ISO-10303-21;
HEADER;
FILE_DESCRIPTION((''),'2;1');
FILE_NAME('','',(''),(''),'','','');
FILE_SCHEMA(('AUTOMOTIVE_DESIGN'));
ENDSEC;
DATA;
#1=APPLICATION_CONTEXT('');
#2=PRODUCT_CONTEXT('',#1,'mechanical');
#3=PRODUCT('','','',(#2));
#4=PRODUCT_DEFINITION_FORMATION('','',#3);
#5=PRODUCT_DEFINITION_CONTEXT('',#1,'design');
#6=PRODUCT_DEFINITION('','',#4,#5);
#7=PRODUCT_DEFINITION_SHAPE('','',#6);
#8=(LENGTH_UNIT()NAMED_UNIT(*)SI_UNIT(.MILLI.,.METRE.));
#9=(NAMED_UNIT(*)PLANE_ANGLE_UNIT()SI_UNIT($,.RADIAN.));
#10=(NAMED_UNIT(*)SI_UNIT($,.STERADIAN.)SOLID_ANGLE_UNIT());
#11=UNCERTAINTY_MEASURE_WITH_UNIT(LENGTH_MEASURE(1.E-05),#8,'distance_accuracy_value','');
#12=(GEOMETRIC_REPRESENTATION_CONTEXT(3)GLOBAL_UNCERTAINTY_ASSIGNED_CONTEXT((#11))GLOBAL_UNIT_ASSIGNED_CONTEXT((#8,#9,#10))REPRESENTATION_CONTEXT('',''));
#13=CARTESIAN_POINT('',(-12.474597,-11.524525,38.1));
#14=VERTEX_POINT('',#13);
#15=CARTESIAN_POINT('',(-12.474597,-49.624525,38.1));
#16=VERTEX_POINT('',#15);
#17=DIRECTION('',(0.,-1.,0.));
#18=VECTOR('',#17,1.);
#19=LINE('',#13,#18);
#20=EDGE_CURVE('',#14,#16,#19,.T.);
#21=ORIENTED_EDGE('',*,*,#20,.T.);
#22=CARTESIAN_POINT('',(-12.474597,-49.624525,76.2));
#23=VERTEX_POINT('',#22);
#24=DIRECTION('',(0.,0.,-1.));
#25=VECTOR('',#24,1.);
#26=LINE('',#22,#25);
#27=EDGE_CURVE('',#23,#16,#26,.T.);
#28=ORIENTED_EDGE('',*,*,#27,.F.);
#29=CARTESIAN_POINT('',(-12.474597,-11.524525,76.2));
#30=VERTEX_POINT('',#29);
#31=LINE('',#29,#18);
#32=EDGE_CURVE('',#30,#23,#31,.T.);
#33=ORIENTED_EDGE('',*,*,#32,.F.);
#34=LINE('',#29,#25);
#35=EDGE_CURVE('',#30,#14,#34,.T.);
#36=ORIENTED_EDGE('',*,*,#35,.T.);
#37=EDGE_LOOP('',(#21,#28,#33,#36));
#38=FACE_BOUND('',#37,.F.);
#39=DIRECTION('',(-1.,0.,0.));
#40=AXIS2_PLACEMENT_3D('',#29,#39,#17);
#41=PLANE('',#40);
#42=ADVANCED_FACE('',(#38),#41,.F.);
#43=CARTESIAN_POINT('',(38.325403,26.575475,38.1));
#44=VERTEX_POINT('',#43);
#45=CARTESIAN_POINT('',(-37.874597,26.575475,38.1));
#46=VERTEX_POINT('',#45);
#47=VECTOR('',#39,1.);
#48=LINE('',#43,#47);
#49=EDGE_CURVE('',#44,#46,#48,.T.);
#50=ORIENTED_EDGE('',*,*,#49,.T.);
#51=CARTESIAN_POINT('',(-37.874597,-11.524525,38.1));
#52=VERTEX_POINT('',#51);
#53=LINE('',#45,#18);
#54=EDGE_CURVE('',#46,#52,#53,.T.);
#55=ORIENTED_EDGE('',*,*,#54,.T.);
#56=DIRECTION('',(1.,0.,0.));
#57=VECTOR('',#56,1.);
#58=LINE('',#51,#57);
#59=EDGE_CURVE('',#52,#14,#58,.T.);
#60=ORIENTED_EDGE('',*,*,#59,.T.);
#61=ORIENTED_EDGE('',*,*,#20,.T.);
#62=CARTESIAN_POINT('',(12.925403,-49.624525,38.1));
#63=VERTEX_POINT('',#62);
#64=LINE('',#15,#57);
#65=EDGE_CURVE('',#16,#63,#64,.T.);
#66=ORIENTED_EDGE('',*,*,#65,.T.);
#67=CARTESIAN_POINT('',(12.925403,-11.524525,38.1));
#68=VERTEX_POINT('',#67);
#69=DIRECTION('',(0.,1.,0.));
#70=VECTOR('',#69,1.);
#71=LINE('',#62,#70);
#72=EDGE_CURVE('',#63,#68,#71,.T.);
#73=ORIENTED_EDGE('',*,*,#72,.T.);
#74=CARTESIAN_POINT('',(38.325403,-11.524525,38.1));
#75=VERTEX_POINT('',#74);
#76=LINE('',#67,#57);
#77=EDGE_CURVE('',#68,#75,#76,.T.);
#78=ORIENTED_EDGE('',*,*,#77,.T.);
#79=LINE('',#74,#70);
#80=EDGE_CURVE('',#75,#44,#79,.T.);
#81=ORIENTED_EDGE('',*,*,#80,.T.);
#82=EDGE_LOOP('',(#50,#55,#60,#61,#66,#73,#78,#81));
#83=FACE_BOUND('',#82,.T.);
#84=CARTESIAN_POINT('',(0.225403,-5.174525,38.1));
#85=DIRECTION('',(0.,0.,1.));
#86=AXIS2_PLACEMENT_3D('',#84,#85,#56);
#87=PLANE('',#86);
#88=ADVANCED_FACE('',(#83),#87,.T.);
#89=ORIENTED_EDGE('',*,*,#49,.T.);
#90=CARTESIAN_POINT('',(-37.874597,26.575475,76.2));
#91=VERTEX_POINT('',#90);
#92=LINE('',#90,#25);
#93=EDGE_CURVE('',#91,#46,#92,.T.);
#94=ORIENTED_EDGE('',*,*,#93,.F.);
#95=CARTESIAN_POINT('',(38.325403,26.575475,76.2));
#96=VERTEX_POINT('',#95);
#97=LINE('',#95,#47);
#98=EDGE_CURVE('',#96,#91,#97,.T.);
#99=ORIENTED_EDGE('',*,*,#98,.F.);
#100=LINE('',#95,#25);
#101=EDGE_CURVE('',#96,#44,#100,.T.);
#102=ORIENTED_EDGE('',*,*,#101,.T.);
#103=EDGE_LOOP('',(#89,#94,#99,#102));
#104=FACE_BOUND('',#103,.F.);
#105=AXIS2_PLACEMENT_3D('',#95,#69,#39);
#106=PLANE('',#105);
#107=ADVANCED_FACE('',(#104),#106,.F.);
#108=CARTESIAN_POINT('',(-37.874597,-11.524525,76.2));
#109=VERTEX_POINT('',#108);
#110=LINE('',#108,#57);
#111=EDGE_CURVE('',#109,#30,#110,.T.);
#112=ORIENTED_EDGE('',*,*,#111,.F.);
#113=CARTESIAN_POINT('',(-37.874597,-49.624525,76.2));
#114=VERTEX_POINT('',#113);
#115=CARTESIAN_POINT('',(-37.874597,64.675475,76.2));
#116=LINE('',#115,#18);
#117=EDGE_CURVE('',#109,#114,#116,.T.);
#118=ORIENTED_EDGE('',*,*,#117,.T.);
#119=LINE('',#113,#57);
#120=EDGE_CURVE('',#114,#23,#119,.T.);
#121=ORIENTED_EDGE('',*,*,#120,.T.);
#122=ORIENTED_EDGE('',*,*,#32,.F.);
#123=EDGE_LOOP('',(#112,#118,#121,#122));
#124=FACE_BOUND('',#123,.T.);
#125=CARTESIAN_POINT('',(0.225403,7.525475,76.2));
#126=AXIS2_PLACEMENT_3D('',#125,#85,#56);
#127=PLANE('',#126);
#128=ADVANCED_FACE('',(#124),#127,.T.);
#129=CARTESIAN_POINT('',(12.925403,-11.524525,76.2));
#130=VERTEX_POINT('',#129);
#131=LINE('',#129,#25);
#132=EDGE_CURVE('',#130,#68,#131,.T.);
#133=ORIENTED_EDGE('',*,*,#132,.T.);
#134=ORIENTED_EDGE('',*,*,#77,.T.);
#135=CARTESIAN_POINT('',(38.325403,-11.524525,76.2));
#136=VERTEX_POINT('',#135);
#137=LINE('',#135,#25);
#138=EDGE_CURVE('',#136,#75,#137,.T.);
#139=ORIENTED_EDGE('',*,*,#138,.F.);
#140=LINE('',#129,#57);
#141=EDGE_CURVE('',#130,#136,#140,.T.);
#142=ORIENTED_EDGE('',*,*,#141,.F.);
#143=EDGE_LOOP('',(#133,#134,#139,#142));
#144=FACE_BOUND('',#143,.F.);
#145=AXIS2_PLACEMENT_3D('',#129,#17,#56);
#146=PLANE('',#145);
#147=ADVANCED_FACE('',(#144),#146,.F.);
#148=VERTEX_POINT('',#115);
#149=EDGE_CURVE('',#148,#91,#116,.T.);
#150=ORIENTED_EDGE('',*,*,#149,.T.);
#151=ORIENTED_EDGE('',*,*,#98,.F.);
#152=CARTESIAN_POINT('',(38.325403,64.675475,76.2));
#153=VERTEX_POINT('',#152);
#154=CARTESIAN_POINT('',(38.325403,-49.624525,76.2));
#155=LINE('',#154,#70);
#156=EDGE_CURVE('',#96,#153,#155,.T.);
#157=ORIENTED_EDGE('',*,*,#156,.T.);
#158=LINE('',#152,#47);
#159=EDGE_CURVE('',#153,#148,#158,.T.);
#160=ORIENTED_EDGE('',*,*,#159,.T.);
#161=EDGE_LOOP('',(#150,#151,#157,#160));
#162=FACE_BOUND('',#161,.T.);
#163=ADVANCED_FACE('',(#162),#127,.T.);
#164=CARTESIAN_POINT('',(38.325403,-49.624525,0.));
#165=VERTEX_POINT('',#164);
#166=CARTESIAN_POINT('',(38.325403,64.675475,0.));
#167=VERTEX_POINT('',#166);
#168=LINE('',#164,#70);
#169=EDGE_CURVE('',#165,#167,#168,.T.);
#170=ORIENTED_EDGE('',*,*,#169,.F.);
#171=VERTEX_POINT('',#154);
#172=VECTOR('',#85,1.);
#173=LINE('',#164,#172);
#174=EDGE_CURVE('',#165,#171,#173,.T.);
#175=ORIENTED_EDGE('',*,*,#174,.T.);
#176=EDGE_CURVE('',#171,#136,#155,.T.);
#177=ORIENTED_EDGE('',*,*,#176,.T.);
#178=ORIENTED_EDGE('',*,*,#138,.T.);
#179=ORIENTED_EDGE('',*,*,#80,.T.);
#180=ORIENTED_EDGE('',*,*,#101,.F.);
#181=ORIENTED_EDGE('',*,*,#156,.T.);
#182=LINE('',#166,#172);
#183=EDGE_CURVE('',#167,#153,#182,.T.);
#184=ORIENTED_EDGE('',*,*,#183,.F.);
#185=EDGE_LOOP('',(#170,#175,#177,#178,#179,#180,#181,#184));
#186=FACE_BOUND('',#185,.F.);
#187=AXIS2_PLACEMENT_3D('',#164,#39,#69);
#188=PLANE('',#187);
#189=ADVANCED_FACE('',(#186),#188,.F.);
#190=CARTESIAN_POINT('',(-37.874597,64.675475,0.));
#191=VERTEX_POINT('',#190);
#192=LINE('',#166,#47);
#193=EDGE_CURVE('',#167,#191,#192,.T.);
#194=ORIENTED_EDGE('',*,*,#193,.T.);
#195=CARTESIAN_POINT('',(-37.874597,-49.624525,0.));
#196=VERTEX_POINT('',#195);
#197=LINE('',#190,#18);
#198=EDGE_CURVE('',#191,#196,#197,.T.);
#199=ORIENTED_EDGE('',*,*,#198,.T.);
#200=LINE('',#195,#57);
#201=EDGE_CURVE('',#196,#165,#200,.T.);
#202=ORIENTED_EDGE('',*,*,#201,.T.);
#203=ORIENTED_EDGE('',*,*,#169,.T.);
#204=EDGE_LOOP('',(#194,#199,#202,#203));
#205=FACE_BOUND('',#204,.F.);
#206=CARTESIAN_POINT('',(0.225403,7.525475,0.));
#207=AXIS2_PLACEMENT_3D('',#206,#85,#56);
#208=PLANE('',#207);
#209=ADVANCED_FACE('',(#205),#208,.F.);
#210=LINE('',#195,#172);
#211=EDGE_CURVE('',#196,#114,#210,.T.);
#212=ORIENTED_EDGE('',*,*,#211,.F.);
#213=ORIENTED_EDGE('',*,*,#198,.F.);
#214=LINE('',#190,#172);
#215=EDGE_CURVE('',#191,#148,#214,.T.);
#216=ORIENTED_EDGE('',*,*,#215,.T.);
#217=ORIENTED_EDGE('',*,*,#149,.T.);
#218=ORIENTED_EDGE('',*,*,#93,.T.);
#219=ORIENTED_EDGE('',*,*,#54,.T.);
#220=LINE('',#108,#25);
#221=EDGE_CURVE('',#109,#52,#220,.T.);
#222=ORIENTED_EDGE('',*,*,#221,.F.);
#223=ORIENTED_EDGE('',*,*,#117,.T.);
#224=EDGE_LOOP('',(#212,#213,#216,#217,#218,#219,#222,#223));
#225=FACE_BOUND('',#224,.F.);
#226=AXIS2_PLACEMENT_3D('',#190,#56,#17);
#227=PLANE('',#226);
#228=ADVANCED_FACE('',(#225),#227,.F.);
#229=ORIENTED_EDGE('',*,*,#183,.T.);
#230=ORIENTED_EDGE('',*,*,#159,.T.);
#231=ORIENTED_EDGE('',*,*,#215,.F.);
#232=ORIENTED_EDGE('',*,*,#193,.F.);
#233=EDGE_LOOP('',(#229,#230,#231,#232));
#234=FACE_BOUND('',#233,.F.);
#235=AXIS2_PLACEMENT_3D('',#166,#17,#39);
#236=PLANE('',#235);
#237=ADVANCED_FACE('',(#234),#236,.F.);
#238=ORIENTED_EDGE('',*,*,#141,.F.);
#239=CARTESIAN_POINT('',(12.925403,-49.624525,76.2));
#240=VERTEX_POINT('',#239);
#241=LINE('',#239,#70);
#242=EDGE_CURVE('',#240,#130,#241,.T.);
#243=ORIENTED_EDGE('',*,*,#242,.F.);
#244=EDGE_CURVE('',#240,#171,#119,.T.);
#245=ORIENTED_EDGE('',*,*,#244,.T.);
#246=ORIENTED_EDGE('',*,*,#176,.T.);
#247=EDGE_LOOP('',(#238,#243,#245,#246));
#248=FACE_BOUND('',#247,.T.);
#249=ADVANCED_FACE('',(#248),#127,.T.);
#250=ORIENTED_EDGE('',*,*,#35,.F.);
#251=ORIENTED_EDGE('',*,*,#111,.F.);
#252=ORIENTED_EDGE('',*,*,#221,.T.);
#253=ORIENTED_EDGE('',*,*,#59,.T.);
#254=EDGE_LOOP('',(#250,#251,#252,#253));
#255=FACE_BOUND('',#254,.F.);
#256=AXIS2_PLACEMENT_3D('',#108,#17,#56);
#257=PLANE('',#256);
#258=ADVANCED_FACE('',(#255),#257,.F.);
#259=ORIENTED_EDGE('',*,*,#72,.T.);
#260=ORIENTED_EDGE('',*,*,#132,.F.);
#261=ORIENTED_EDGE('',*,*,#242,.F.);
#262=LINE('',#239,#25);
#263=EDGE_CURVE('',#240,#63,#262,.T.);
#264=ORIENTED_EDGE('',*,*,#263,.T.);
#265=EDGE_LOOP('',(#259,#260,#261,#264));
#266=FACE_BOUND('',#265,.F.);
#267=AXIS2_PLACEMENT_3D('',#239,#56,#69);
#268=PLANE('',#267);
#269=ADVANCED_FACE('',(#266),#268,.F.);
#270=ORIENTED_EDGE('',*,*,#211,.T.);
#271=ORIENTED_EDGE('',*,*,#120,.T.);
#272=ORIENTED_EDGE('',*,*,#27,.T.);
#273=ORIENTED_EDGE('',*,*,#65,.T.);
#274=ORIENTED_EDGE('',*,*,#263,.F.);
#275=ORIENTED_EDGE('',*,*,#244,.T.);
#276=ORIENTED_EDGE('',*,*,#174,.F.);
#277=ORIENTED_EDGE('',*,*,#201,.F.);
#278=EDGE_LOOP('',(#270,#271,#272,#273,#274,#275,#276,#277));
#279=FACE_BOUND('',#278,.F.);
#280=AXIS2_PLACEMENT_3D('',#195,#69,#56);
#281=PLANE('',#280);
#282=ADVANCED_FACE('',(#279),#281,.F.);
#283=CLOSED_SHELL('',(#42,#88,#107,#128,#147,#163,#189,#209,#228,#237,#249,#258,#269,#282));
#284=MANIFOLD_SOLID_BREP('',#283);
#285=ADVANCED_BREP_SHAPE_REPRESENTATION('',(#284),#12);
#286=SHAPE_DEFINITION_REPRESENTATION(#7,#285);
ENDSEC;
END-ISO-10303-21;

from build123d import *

# Parameters (mm, degrees)
F1_DEPTH = 76.2
F3_DEPTH = 38.1


with BuildPart() as f1:
    # F0 (on Top) → F1 (new body)
    with BuildSketch(Plane.XY):
        Polygon((38.325403, 64.675475), (-37.874597, 64.675475), (-37.874597, 26.575475), (-37.874597, -11.524525), (-37.874597, -49.624525), (-12.474597, -49.624525), (12.925403, -49.624525), (38.325403, -49.624525), (38.325403, -11.524525), (38.325403, 26.575475), align=None)
    extrude(amount=F1_DEPTH)

    # F2 (on face) → F3 (cut)
    with BuildSketch(Plane.XY.offset(76.2)):
        Polygon((38.325403, 26.575475), (-37.874597, 26.575475), (-37.874597, -11.524525), (-12.474597, -11.524525), (-12.474597, -49.624525), (12.925403, -49.624525), (12.925403, -11.524525), (38.325403, -11.524525), align=None)
    extrude(amount=-F3_DEPTH, mode=Mode.SUBTRACT)


solid = f1.part
